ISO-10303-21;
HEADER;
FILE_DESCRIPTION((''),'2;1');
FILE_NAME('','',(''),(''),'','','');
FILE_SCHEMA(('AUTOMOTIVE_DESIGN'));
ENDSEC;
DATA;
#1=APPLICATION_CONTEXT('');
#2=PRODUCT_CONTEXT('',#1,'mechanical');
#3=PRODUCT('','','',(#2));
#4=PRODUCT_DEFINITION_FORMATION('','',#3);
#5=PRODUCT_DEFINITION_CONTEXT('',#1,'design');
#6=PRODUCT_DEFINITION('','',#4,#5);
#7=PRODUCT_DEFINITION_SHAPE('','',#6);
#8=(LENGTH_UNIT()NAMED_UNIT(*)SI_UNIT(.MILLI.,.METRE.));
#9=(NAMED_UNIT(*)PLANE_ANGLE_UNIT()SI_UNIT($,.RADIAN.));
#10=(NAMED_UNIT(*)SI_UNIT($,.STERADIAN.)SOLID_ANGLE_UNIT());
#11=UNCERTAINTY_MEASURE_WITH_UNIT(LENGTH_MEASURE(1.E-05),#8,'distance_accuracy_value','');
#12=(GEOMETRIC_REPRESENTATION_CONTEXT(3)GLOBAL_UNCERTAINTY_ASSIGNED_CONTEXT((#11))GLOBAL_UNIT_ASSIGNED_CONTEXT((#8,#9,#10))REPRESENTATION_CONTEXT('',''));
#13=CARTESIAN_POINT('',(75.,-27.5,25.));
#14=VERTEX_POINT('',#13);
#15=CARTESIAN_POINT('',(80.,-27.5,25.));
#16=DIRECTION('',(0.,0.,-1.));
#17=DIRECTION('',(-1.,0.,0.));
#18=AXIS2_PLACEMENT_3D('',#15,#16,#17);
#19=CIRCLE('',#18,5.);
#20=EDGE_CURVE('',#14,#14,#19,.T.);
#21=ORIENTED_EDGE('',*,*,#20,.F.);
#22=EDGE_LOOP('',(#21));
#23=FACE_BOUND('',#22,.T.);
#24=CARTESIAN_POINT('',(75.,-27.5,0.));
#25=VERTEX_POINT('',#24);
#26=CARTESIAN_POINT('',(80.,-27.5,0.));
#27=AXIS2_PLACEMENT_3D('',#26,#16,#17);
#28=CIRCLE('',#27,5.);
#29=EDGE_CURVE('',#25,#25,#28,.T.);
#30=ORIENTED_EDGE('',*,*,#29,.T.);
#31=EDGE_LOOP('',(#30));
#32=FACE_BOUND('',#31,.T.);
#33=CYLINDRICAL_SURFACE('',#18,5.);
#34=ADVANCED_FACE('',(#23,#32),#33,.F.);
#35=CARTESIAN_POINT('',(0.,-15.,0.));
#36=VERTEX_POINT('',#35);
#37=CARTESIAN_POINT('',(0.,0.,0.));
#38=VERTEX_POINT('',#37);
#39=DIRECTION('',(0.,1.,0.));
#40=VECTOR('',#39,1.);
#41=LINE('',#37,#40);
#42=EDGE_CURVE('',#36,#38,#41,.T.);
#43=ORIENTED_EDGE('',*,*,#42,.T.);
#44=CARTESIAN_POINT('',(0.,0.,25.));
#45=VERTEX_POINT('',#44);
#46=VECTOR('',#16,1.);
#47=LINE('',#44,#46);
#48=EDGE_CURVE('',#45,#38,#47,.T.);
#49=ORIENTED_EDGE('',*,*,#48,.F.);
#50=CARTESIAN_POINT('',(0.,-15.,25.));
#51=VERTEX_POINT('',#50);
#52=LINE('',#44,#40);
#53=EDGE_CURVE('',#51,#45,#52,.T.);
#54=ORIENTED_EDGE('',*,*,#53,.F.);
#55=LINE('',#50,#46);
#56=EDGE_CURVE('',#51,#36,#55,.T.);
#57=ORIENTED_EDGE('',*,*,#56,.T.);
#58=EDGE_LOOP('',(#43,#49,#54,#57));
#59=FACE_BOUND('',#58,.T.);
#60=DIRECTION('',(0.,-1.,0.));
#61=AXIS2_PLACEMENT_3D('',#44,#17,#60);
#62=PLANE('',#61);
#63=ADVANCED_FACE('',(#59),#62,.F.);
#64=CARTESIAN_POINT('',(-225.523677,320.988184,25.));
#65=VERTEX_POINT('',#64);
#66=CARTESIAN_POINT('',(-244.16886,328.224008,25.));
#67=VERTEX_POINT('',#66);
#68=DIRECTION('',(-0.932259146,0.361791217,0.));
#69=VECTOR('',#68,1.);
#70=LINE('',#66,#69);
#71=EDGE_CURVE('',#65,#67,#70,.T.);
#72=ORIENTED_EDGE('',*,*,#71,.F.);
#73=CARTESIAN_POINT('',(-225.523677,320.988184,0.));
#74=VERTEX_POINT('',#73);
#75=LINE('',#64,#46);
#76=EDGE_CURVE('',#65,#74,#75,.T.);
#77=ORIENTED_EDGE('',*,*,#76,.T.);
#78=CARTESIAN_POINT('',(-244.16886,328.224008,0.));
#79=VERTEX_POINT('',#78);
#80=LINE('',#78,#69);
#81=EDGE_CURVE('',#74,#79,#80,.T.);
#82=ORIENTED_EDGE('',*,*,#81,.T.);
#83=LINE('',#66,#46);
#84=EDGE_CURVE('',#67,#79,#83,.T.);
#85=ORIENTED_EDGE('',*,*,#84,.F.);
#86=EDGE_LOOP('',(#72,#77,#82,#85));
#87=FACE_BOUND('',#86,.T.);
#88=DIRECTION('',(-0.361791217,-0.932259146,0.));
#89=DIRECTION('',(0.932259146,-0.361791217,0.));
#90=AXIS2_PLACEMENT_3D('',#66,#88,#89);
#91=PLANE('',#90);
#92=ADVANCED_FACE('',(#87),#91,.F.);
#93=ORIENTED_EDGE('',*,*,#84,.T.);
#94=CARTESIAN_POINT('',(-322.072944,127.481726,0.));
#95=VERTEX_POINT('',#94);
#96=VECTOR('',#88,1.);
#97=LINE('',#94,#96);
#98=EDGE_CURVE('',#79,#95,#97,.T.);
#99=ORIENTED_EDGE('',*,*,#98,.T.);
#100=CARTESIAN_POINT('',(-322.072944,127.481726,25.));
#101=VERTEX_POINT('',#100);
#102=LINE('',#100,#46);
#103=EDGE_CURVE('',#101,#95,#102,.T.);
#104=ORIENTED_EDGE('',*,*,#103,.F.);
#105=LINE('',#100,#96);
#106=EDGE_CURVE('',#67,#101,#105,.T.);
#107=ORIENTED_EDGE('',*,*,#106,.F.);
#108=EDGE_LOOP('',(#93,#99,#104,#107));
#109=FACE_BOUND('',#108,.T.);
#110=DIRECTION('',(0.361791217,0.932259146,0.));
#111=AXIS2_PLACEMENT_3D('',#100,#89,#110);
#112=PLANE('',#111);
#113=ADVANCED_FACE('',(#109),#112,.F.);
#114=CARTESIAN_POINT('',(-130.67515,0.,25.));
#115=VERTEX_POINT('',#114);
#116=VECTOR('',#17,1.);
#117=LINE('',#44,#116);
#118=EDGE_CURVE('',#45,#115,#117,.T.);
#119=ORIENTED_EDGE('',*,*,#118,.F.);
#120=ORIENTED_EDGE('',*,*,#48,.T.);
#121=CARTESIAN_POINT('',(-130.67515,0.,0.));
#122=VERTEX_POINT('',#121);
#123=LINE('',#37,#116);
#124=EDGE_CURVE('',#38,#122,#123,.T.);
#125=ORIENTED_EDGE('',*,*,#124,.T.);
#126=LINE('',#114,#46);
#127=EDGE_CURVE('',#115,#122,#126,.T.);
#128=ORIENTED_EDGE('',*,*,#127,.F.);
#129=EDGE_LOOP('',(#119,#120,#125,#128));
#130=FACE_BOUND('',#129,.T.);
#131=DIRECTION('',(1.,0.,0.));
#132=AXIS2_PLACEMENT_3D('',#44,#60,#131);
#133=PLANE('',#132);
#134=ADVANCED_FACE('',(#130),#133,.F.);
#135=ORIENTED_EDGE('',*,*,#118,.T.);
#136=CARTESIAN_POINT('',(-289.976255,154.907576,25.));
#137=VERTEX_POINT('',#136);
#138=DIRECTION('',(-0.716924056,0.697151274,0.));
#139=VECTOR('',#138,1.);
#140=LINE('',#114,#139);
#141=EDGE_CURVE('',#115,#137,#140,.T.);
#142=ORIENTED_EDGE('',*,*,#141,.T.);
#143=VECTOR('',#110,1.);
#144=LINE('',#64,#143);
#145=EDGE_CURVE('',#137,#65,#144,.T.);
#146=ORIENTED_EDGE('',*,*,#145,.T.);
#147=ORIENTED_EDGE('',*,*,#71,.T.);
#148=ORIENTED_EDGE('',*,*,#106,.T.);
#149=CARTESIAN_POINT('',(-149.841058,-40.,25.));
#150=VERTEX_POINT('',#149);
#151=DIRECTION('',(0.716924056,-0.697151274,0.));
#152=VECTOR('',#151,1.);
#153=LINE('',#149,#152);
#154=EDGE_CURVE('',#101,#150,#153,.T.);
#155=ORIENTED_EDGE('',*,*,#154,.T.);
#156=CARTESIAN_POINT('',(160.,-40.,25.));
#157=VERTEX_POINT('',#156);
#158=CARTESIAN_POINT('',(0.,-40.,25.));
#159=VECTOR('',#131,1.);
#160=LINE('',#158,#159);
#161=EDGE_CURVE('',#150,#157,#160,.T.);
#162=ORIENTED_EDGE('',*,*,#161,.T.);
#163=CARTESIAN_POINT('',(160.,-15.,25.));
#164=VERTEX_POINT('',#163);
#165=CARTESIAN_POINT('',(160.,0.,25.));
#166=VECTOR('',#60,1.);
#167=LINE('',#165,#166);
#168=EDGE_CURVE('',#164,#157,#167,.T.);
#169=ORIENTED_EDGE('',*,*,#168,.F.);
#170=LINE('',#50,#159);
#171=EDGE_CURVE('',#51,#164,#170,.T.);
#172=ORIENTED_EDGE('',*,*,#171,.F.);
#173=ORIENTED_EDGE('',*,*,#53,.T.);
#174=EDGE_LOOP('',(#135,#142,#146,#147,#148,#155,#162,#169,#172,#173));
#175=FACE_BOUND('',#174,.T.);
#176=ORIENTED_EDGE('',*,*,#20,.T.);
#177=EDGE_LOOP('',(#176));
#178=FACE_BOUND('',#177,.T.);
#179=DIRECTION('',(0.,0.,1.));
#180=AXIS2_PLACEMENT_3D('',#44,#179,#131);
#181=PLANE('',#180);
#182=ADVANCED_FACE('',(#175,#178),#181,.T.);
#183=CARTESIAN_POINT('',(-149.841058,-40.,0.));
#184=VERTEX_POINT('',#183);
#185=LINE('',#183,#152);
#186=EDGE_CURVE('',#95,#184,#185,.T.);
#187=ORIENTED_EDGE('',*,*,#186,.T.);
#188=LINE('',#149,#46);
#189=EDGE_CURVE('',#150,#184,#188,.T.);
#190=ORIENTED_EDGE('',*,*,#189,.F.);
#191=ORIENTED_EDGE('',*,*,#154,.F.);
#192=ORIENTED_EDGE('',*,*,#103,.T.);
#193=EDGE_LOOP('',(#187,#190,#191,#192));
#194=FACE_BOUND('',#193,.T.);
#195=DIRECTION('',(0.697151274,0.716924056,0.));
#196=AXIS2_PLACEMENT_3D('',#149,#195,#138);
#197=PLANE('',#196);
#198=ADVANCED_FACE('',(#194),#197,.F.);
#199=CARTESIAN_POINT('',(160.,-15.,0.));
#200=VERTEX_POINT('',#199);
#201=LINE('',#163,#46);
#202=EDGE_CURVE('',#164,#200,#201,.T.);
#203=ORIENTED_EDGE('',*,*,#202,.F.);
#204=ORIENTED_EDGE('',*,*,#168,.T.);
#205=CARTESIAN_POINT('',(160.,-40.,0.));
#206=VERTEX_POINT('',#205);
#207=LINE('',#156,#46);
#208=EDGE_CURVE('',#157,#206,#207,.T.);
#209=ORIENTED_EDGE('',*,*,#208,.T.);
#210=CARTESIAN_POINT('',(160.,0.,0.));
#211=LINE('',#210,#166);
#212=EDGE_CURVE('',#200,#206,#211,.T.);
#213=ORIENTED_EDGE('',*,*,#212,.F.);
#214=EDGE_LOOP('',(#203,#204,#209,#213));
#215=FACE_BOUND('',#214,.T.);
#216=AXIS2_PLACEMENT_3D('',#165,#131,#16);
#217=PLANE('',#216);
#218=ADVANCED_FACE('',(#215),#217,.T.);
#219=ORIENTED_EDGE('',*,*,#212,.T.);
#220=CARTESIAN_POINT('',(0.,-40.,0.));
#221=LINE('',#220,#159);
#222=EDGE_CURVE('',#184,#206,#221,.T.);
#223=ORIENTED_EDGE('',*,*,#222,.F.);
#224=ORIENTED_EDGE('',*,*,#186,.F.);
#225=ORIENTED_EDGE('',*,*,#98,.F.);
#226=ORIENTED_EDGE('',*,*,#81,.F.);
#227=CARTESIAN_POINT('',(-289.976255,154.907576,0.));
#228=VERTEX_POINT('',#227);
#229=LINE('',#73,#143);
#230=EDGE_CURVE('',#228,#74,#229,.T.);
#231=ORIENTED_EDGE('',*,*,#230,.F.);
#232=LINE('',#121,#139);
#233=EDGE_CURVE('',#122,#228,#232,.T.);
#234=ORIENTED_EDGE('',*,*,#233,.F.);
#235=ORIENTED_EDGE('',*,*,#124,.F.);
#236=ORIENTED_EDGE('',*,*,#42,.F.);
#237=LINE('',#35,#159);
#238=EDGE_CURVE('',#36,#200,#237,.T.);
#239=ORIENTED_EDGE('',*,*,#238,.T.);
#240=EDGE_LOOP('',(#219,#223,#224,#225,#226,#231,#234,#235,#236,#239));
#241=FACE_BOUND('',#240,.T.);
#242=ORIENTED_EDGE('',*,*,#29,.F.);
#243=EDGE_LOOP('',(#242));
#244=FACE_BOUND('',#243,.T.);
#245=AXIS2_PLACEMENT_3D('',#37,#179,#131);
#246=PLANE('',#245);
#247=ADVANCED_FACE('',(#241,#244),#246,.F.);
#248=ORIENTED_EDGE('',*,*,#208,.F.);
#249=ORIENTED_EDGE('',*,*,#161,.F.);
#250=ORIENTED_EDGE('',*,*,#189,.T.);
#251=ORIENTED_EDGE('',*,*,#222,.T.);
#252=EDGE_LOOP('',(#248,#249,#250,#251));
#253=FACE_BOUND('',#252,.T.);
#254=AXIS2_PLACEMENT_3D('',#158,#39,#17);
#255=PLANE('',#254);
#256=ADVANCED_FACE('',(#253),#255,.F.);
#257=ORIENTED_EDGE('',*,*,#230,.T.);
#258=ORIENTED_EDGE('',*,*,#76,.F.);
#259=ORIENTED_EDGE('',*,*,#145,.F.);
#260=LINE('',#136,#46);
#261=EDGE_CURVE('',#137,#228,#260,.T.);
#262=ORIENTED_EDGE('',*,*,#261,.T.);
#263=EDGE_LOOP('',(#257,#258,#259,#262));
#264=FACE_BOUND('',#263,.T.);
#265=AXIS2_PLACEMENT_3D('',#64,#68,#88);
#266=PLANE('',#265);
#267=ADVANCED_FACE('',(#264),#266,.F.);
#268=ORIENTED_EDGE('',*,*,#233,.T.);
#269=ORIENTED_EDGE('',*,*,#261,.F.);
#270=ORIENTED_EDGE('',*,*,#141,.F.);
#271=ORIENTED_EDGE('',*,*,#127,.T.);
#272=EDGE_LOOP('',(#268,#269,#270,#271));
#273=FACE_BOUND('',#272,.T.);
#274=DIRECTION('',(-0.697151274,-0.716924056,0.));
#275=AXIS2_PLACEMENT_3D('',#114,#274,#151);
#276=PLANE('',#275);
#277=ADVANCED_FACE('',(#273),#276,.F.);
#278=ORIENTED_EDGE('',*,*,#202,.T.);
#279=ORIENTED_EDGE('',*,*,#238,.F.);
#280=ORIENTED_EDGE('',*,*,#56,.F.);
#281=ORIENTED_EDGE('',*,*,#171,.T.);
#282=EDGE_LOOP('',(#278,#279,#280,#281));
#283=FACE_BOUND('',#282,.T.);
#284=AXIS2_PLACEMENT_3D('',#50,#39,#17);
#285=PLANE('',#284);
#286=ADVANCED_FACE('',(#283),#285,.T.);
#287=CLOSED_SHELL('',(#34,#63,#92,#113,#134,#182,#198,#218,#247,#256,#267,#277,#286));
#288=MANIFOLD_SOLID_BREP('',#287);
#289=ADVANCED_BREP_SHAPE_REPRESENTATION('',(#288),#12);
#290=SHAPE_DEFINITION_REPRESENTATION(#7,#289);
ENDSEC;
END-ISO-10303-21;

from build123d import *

# Parameters (mm, degrees)
EXTRUDE_2_DEPTH = 25
SKETCH_3_W      = 160
SKETCH_3_H      = 25
SKETCH_3_R      = 5
EXTRUDE_3_DEPTH = 25


with BuildPart() as part:
    # 草图1 → 凸台-拉伸2 (new body)
    with BuildSketch(Plane.XY):
        Polygon((0, 0), (0, -40), (-149.841058107, -40), (-322.072943576, 127.48172604), (-244.168859764, 328.224008492), (-225.523676843, 320.988184155), (-289.976254661, 154.907576464), (-130.675150004, 0), align=None)
    extrude(amount=EXTRUDE_2_DEPTH)

    # 草图3 → 凸台-拉伸3 (add)
    with BuildSketch(Plane(origin=(0, 0, 0), x_dir=(-1, 0, 0), z_dir=(0, 0, -1))):
        with Locations((-80, -27.5)):
            Rectangle(SKETCH_3_W, SKETCH_3_H)
        with Locations((-80, -27.5)):
            Circle(SKETCH_3_R, mode=Mode.SUBTRACT)
    extrude(amount=-EXTRUDE_3_DEPTH)


solid = part.part
